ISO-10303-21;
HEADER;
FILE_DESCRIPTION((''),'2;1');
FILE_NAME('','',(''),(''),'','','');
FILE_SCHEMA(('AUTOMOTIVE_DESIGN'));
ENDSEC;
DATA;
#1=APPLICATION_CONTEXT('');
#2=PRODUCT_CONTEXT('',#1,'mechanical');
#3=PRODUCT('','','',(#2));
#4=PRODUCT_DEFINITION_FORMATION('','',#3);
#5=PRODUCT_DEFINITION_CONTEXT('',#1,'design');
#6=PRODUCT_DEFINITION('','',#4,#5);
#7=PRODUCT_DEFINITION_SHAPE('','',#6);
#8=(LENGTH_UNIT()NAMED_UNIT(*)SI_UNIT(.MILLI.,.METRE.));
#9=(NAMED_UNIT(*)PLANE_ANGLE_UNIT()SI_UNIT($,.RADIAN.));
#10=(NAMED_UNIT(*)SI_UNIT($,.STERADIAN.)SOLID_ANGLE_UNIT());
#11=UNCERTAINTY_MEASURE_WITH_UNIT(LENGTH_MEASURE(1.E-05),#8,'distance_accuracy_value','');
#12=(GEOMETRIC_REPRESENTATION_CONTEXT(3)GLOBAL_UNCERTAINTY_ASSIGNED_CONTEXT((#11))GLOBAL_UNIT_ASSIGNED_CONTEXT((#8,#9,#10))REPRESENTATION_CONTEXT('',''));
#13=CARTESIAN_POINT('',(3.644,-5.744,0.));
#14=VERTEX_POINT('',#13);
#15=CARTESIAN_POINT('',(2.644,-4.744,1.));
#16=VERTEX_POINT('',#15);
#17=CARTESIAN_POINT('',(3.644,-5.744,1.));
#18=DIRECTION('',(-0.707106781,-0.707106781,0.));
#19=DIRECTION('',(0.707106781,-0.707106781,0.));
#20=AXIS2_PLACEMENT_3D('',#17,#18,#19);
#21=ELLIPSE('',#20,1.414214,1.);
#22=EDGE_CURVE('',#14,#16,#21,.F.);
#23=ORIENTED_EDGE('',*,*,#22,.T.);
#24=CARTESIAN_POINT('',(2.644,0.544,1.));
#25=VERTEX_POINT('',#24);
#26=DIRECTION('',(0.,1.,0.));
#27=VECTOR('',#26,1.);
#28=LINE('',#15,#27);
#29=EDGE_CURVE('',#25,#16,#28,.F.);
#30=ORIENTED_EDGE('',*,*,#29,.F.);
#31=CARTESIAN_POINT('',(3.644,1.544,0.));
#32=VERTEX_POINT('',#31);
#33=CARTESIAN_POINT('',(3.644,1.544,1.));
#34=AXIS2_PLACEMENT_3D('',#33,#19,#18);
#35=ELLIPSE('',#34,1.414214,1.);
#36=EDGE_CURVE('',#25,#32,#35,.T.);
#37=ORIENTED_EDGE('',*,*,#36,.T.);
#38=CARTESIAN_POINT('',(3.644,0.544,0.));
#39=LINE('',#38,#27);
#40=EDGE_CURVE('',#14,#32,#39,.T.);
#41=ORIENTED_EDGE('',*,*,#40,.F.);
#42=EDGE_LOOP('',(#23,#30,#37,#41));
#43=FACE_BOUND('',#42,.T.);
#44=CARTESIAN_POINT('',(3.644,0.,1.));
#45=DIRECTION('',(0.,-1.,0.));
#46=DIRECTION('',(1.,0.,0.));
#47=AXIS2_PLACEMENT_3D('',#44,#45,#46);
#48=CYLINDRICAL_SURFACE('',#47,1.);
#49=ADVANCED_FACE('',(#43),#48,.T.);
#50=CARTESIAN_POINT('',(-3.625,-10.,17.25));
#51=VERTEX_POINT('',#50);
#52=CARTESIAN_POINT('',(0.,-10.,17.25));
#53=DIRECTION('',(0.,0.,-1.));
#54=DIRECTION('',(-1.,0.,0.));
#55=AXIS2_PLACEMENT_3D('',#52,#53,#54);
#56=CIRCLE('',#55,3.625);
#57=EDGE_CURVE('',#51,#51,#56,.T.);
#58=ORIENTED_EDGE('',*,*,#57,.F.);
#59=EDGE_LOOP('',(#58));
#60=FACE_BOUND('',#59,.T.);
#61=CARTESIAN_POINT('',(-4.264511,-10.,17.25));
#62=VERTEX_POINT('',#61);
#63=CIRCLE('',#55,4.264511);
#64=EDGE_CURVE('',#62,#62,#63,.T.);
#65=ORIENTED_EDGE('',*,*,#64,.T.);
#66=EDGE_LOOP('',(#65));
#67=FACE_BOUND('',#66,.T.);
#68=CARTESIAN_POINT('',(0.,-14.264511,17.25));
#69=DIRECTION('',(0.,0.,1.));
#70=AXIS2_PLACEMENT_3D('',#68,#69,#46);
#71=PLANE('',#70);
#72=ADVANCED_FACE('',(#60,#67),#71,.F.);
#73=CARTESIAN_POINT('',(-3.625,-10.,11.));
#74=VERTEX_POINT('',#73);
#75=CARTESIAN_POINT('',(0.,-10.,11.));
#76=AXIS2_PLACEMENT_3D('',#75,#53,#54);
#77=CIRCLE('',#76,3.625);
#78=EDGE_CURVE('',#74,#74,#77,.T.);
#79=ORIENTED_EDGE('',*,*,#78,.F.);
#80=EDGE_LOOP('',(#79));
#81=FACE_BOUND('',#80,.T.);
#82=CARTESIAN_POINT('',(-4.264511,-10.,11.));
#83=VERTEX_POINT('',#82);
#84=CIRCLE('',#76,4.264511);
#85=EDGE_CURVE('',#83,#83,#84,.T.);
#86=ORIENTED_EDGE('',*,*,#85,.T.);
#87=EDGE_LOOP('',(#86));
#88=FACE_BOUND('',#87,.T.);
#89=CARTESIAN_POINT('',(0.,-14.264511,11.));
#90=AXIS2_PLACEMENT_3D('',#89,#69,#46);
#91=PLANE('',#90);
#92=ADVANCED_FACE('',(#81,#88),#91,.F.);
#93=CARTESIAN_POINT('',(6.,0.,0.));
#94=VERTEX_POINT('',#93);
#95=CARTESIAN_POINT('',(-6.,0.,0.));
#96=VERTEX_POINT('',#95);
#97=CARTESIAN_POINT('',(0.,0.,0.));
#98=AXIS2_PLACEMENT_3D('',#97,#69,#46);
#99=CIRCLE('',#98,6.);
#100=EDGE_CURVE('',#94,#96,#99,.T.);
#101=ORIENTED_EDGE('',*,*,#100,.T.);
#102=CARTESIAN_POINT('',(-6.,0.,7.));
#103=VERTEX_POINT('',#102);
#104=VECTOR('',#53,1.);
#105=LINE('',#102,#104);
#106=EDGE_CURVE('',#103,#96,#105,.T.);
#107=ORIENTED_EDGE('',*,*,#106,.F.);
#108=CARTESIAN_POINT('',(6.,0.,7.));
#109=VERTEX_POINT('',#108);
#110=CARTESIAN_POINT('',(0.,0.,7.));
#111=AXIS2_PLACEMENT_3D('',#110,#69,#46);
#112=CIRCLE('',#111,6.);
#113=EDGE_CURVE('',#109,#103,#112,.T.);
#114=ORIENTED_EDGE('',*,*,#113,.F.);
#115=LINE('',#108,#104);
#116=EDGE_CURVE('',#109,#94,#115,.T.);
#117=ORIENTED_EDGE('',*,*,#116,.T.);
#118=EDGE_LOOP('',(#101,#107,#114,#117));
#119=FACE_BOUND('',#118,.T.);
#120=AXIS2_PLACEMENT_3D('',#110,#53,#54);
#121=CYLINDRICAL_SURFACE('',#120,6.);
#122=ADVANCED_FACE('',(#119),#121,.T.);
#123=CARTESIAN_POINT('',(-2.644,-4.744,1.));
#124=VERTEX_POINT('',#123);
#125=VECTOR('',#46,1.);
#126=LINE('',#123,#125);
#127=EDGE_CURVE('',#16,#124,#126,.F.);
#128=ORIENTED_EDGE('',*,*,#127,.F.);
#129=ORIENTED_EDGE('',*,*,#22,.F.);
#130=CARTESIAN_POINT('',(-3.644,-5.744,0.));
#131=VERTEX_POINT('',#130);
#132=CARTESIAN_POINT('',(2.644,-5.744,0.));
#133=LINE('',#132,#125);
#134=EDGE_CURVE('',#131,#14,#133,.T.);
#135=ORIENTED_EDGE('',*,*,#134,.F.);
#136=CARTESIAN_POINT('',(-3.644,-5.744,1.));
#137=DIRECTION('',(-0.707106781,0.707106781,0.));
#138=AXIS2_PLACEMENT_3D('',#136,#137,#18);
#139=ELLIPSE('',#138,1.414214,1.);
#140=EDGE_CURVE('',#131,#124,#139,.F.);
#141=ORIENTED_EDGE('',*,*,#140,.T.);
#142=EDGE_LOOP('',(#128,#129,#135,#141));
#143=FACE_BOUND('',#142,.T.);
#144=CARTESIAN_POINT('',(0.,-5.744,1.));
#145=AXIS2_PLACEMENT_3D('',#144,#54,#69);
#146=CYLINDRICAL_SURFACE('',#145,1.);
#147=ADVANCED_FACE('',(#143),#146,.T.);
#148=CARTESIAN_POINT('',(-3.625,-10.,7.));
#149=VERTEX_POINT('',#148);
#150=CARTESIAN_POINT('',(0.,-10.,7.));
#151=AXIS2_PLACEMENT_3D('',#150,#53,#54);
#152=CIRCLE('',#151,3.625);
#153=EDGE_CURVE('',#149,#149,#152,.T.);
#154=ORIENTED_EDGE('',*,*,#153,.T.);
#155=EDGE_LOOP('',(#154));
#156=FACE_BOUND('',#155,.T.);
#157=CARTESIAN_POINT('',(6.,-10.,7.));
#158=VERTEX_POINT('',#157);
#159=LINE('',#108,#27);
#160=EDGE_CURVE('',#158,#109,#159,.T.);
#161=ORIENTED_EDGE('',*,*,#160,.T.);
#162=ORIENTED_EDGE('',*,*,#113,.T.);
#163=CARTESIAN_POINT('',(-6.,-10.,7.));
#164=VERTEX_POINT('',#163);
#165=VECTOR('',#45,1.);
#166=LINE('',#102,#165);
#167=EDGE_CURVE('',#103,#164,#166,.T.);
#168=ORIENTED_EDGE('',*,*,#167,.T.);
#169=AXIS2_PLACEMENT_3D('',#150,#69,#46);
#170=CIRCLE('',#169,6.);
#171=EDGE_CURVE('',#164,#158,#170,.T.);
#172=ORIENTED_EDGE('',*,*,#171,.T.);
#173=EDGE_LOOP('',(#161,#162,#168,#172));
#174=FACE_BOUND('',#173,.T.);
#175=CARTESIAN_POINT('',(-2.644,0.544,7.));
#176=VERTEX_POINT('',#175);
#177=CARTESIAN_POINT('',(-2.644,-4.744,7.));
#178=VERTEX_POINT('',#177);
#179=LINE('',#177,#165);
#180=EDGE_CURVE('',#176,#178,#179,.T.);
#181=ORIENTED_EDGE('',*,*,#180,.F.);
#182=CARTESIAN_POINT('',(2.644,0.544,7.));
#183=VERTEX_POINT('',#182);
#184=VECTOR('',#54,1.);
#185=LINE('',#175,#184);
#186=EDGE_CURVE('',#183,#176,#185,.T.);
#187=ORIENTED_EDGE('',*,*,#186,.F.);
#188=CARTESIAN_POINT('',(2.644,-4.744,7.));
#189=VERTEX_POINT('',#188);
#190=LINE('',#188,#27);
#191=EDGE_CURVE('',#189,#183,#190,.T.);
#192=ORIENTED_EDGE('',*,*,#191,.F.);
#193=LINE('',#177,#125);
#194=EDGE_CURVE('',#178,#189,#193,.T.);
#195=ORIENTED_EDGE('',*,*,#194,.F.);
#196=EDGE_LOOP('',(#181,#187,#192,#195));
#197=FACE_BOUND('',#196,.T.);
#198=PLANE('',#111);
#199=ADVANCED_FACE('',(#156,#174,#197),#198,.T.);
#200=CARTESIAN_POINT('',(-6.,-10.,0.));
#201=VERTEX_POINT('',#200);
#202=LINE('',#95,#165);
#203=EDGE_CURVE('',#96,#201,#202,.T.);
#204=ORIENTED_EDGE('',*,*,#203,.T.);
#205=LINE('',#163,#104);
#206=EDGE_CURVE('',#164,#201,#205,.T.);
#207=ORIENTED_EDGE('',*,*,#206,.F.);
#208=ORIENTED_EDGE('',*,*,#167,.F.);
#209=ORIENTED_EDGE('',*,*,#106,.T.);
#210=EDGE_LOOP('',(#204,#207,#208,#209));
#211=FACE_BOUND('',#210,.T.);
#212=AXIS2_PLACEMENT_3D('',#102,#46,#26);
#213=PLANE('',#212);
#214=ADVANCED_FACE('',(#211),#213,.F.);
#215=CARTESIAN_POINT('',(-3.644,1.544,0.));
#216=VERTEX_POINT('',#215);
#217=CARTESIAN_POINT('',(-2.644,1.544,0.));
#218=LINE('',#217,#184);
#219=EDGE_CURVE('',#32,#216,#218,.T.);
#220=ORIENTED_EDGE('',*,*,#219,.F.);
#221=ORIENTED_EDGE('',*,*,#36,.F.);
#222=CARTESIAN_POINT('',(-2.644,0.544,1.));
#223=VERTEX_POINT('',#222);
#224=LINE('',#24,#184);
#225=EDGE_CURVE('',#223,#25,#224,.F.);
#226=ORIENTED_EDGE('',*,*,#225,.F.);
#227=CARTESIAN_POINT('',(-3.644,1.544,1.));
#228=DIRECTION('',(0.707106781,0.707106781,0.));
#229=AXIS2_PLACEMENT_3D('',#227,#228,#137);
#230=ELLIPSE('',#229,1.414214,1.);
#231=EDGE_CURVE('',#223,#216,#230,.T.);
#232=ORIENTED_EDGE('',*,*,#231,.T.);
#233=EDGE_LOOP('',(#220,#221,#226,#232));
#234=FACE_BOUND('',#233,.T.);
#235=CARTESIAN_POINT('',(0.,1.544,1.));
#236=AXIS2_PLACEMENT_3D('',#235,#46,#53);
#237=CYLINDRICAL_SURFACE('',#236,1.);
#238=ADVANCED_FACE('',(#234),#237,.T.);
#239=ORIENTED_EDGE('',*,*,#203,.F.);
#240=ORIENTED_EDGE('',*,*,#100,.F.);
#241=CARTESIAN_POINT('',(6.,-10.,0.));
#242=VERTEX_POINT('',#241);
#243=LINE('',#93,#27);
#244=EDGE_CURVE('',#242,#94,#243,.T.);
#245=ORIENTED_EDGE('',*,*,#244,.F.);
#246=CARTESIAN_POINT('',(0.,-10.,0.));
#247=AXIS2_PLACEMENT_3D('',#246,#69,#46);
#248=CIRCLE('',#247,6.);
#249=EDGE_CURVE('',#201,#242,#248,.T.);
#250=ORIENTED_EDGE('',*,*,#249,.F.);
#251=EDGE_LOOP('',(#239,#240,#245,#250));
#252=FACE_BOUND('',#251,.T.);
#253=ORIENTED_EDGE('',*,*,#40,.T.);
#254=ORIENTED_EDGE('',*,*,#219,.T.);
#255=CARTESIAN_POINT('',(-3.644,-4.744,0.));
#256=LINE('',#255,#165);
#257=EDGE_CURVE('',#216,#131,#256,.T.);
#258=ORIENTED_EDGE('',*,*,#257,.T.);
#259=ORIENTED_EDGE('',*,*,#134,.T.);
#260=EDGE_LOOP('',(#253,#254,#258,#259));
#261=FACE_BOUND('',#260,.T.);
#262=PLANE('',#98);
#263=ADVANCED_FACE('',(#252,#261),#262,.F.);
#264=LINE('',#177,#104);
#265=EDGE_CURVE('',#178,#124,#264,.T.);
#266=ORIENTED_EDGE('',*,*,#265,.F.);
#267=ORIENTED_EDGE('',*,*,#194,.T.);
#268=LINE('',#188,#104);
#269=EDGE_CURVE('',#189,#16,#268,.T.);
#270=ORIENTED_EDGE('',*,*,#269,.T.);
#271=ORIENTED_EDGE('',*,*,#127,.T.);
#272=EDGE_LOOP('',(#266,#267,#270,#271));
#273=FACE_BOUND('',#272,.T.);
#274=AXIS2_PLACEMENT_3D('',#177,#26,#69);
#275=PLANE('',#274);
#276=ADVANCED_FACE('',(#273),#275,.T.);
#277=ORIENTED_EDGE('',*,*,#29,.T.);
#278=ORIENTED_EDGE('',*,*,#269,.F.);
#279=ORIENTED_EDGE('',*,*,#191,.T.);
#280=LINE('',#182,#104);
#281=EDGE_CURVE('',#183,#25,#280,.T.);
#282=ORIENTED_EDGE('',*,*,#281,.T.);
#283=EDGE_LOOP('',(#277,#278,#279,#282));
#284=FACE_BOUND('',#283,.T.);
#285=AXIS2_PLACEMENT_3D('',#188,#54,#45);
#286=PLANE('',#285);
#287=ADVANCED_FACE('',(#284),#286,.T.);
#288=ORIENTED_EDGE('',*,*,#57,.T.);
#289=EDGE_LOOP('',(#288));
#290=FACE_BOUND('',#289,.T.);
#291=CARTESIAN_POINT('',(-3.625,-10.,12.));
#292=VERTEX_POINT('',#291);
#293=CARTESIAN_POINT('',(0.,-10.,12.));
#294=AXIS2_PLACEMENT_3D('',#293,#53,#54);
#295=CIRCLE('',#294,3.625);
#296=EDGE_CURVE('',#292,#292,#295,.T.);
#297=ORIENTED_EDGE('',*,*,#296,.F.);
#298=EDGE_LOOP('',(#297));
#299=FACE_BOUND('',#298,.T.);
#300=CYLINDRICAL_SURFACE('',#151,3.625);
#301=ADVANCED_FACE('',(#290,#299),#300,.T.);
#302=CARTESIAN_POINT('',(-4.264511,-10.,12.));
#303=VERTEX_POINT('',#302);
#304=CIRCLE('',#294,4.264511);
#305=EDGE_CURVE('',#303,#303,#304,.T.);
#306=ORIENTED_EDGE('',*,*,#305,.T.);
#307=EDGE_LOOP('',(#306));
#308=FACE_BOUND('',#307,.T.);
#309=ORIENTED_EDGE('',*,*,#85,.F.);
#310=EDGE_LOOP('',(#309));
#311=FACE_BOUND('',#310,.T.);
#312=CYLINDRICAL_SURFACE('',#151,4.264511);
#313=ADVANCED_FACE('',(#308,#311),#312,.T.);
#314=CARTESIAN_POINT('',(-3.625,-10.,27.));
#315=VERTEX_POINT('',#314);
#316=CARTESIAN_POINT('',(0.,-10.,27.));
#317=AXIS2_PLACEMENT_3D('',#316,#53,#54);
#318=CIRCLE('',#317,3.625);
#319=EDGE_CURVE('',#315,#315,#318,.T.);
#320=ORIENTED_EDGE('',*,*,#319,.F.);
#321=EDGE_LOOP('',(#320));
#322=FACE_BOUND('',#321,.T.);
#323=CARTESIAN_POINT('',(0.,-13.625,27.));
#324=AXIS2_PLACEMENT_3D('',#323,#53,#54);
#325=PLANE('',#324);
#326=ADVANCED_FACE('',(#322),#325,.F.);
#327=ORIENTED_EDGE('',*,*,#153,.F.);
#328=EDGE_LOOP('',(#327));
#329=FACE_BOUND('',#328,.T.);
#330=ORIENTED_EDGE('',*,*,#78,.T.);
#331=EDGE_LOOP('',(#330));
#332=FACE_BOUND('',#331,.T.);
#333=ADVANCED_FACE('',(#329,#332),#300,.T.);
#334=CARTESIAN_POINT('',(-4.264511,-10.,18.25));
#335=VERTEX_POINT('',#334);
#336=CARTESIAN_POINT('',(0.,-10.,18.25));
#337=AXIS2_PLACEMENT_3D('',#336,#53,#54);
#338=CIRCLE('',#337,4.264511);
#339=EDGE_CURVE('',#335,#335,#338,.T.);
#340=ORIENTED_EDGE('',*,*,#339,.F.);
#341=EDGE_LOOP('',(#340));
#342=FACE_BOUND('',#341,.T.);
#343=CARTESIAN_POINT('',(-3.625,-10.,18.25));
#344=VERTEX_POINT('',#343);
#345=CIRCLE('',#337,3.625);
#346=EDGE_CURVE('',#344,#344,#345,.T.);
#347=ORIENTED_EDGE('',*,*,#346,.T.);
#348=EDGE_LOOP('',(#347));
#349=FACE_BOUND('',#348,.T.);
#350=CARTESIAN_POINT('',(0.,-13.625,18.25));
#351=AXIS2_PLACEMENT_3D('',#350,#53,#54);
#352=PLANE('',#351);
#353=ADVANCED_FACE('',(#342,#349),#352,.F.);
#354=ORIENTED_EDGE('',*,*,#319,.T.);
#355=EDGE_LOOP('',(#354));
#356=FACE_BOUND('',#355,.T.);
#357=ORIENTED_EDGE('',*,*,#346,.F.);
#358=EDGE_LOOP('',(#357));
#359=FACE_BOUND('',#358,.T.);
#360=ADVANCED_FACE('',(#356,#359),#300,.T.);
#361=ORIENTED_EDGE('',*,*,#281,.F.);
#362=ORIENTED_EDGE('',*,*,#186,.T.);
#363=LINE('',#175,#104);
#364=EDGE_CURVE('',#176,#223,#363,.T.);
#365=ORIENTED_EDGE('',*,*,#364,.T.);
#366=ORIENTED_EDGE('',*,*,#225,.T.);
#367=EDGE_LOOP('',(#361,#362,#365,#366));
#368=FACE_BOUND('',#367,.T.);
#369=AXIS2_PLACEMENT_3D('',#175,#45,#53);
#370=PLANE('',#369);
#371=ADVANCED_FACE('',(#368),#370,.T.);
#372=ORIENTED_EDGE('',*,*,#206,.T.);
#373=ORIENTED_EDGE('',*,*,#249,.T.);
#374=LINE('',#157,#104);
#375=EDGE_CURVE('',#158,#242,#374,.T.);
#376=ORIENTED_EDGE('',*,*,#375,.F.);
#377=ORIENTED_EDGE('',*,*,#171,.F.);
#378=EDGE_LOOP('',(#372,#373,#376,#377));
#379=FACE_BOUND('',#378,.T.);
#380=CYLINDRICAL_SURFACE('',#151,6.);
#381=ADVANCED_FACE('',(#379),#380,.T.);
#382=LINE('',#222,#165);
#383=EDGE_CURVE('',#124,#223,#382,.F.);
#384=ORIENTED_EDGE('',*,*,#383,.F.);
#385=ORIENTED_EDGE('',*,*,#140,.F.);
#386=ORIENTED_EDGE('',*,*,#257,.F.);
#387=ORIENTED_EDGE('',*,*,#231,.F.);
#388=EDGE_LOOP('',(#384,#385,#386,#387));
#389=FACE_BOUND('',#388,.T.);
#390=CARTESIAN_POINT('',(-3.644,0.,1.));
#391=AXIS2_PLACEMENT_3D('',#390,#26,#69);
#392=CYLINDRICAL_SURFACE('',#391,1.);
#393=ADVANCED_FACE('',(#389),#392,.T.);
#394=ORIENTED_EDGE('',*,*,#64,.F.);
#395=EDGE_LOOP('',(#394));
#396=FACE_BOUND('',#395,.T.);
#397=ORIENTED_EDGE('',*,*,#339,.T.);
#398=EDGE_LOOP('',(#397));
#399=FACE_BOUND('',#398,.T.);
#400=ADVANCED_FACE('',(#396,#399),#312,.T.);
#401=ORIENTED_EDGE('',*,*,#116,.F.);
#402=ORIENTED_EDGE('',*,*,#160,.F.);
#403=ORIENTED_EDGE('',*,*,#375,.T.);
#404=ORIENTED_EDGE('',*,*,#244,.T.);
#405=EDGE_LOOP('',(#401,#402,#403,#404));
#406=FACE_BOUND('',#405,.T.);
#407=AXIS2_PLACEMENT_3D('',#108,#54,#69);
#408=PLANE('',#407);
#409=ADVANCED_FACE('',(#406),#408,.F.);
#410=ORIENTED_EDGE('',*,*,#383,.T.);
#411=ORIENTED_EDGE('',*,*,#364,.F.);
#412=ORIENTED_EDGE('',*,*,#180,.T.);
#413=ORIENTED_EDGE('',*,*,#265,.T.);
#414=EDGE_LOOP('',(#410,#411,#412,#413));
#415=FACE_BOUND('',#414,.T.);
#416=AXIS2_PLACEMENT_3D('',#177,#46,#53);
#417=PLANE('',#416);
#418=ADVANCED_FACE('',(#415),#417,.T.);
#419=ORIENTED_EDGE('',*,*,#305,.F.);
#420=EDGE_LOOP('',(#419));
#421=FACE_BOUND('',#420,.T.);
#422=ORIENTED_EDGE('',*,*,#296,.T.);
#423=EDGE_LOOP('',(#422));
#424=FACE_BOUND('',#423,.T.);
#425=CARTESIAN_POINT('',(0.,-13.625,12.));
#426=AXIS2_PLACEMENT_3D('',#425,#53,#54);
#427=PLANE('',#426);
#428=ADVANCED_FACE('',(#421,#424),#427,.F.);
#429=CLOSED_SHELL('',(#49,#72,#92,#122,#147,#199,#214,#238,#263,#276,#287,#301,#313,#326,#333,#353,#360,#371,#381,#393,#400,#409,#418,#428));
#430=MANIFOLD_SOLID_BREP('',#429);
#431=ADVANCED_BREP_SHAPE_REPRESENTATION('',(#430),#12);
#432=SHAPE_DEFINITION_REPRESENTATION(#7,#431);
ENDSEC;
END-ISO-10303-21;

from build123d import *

# Parameters (mm, degrees)
SKETCH1_W           = 5.288
SKETCH1_H           = 5.288
BOSS_EXTRUDE1_DEPTH = 7
FILLET1_R           = 1


with BuildPart() as part:
    # Sketch1 → Boss-Extrude1 (new body)
    with BuildSketch(Plane.XY):
        with BuildLine():
            Line((6, 0), (6, -10))
            ThreePointArc((6, -10), (0, -16), (-6, -10))
            Line((-6, -10), (-6, 0))
            ThreePointArc((-6, 0), (0, 6), (6, 0))
        make_face()
        with Locations((0, -2.1)):
            Rectangle(SKETCH1_W, SKETCH1_H, mode=Mode.SUBTRACT)
    extrude(amount=BOSS_EXTRUDE1_DEPTH)

    # Sketch4 → Revolve1 (revolve)
    with BuildSketch(Plane(origin=(0, 0, 0), x_dir=(0, 0, -1), z_dir=(1, 0, 0)), mode=Mode.PRIVATE) as revolve1_sk:
        Polygon((-7, -13.625), (-11, -13.625), (-11, -14.264510891), (-12, -14.264510891), (-12, -13.625), (-17.25, -13.625), (-17.25, -14.264510891), (-18.25, -14.264510891), (-18.25, -13.625), (-27, -13.625), (-27, -10), (-7, -10), align=None)
    revolve(revolve1_sk.sketch.rotate(Axis((0, -10, 7), (0, 0, 1)), 270), axis=Axis((0, -10, 7), (0, 0, 1)))

    # Fillet1
    fillet1_edges = [part.edges().sort_by_distance(p)[0] for p in [
        (2.644, -2.1, 0),
        (0, 0.544, 0),
        (-2.644, -2.1, 0),
        (0, -4.744, 0),
    ]]
    fillet(fillet1_edges, radius=FILLET1_R)


solid = part.part
